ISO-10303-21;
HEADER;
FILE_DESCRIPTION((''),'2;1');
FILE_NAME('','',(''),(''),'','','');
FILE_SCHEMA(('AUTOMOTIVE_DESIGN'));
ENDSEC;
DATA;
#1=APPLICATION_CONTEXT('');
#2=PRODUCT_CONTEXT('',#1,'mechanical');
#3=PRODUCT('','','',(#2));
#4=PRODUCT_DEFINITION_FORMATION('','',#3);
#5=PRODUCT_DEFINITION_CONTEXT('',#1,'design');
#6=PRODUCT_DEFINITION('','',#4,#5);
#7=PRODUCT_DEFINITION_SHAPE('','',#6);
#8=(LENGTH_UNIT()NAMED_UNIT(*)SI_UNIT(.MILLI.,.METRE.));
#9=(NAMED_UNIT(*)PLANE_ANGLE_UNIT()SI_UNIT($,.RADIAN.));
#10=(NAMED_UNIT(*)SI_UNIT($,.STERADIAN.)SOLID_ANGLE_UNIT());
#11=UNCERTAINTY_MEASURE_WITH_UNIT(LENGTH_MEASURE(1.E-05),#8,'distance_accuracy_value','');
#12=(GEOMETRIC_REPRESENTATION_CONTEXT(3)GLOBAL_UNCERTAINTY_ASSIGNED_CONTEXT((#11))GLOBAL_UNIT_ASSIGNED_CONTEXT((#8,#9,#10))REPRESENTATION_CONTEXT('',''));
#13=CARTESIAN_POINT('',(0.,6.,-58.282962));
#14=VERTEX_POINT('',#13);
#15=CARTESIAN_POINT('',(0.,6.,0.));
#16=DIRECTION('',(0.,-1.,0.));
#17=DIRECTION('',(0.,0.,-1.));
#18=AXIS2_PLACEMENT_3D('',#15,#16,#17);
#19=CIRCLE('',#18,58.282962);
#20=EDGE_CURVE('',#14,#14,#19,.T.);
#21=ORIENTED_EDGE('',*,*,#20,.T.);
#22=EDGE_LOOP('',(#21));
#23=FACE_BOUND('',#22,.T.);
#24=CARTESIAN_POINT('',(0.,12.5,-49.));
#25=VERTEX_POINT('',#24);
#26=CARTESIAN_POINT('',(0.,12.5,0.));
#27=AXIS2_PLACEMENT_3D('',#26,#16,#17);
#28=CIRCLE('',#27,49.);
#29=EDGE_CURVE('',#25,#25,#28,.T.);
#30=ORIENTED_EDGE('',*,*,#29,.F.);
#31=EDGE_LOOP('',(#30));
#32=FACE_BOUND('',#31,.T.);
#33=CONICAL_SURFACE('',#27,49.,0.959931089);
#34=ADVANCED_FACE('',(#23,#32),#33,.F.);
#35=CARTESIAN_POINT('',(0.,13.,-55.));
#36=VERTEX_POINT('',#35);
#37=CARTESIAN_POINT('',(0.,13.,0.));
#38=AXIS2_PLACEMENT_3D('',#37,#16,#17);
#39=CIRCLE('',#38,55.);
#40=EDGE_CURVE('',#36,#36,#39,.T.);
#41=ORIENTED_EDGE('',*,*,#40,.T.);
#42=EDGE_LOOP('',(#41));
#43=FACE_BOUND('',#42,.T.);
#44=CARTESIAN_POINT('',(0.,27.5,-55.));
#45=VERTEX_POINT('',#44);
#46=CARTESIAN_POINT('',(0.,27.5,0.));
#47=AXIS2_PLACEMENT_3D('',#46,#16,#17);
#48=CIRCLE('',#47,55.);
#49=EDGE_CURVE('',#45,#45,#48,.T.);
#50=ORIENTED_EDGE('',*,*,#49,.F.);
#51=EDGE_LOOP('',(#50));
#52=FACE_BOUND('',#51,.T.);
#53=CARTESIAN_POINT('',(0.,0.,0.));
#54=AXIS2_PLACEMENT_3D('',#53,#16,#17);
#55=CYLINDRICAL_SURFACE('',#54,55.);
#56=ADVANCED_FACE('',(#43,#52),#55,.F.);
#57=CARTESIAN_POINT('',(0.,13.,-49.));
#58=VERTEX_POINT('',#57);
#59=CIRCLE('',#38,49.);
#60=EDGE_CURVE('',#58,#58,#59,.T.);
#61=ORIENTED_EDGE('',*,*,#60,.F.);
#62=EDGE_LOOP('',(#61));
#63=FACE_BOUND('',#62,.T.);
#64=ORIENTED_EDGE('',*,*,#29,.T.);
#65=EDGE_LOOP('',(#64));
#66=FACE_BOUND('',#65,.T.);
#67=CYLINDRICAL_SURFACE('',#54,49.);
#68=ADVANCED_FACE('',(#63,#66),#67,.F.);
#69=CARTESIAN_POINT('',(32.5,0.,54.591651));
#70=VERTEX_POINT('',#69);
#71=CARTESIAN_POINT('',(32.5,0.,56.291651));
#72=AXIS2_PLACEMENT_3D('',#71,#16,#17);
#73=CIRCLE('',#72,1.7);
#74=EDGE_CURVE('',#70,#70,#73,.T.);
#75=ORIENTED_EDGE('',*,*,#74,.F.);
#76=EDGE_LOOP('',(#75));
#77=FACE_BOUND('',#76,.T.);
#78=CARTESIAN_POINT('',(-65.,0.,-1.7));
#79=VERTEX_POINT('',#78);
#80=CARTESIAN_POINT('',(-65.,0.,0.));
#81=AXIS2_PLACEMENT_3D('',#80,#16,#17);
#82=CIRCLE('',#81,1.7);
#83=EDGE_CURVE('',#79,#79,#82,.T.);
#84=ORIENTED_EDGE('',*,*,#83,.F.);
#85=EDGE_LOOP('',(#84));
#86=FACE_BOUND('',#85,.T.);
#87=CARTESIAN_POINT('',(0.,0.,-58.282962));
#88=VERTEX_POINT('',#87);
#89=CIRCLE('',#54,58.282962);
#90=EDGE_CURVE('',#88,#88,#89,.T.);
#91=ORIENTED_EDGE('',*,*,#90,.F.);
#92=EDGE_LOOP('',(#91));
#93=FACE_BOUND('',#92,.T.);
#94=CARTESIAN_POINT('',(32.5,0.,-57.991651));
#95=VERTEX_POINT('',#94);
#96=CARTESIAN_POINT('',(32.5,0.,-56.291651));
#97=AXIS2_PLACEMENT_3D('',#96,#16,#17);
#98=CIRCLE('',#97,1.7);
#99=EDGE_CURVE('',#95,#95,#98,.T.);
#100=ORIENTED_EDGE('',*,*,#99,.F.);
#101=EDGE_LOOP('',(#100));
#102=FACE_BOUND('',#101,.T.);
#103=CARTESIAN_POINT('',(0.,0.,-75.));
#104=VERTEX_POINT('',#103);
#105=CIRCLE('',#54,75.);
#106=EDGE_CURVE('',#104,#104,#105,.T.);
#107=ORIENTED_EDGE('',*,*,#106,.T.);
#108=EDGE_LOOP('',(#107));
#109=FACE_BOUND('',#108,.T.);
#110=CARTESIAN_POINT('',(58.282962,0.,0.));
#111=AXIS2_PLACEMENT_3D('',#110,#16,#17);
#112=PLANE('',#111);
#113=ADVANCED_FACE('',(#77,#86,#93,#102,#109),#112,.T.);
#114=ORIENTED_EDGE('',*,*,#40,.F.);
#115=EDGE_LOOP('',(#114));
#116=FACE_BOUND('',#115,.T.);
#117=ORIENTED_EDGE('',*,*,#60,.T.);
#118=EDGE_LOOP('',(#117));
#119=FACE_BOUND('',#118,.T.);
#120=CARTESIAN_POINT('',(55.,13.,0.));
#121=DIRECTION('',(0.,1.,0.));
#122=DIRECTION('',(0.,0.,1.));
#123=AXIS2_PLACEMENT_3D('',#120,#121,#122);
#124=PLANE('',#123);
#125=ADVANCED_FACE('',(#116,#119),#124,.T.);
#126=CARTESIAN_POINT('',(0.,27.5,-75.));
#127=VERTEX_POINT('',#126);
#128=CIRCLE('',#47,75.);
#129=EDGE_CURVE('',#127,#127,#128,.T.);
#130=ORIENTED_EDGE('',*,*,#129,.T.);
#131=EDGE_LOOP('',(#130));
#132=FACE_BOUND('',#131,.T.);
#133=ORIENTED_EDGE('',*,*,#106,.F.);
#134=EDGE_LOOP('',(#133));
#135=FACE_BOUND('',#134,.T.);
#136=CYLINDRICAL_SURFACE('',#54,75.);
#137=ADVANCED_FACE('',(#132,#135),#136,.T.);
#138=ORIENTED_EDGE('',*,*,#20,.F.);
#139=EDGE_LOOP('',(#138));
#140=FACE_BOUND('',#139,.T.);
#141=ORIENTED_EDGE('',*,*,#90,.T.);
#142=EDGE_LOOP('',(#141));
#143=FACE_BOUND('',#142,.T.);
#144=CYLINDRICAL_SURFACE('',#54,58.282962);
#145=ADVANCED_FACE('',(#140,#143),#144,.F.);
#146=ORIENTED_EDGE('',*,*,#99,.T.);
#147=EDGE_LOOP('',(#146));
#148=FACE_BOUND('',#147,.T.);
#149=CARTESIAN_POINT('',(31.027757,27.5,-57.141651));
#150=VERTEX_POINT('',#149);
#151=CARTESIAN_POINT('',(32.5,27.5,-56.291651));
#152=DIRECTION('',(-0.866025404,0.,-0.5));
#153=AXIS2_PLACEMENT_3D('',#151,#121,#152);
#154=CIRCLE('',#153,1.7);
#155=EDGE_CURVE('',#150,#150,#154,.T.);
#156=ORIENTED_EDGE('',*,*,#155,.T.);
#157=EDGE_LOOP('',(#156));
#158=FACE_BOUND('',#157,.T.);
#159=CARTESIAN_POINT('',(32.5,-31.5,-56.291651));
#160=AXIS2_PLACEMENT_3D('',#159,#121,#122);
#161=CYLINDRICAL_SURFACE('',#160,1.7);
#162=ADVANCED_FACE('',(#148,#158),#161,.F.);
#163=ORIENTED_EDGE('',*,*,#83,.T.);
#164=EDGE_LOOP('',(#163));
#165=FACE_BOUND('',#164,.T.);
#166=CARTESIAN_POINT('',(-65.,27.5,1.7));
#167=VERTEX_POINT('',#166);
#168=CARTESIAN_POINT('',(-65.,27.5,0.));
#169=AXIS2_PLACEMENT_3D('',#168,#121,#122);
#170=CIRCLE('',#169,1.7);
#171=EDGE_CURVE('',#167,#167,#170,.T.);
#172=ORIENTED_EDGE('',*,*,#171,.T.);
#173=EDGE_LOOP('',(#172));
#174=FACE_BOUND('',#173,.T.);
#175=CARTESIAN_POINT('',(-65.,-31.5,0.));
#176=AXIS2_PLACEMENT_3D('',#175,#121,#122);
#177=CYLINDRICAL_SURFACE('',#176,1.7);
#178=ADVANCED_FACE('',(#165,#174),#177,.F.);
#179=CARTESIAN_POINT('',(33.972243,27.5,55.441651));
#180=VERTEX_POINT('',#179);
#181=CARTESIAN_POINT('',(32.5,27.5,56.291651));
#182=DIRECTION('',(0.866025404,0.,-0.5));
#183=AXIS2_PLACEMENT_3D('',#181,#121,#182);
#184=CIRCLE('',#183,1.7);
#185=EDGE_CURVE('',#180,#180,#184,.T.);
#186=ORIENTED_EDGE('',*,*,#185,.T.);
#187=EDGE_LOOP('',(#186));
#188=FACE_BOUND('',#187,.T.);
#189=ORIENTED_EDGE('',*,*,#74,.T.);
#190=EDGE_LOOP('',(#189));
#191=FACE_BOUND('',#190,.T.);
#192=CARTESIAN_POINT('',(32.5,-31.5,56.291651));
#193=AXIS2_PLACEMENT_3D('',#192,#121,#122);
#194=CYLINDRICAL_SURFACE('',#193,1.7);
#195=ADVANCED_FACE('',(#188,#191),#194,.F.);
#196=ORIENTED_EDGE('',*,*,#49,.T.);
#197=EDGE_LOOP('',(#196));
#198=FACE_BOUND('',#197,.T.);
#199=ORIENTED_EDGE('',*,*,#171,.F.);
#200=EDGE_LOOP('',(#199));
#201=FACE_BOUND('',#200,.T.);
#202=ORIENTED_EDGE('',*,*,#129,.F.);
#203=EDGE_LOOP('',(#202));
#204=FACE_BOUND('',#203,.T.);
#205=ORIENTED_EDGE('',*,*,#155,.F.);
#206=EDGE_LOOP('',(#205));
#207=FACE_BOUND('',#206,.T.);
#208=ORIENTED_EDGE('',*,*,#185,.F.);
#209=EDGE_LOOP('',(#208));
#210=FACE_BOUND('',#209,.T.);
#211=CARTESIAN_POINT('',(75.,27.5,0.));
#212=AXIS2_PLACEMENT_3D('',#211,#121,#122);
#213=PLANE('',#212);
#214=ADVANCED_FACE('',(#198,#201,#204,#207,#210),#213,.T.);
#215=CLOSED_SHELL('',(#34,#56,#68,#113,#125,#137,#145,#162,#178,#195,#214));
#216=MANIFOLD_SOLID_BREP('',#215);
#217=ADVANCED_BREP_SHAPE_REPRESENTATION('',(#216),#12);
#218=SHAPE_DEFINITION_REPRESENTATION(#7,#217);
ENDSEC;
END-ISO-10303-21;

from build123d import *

# Parameters (mm, degrees)
CROQUIS2_R            = 1.7
CORTAR_EXTRUIR1_DEPTH = 59
MATRIZC1_COUNT        = 3


with BuildPart() as part:
    # Croquis1 → Revolución1 (revolve)
    with BuildSketch(Plane.XY):
        Polygon((58.282962044, 6), (58.282962044, 0), (75, 0), (75, 27.5), (55, 27.5), (55, 13), (49, 13), (49, 12.5), align=None)
    revolve(axis=Axis((0, 0, 0), (0, 1, 0)))

    # Croquis2 → Cortar-Extruir1 (cut)
    with BuildSketch(Plane(origin=(0, 27.5, 0), x_dir=(1, 0, 0), z_dir=(0, 1, 0))):
        with Locations((-65, 0)):
            Circle(CROQUIS2_R)
    cortar_extruir1 = extrude(amount=-CORTAR_EXTRUIR1_DEPTH, mode=Mode.SUBTRACT)

    # MatrizC1: Cortar-Extruir1 ×3 about axis
    matrizc1_axis = Axis((0, 0, 0), (0, 1, 0))
    for i in range(1, MATRIZC1_COUNT):
        add(cortar_extruir1.rotate(matrizc1_axis, i * 360 / MATRIZC1_COUNT), mode=Mode.SUBTRACT)


solid = part.part
